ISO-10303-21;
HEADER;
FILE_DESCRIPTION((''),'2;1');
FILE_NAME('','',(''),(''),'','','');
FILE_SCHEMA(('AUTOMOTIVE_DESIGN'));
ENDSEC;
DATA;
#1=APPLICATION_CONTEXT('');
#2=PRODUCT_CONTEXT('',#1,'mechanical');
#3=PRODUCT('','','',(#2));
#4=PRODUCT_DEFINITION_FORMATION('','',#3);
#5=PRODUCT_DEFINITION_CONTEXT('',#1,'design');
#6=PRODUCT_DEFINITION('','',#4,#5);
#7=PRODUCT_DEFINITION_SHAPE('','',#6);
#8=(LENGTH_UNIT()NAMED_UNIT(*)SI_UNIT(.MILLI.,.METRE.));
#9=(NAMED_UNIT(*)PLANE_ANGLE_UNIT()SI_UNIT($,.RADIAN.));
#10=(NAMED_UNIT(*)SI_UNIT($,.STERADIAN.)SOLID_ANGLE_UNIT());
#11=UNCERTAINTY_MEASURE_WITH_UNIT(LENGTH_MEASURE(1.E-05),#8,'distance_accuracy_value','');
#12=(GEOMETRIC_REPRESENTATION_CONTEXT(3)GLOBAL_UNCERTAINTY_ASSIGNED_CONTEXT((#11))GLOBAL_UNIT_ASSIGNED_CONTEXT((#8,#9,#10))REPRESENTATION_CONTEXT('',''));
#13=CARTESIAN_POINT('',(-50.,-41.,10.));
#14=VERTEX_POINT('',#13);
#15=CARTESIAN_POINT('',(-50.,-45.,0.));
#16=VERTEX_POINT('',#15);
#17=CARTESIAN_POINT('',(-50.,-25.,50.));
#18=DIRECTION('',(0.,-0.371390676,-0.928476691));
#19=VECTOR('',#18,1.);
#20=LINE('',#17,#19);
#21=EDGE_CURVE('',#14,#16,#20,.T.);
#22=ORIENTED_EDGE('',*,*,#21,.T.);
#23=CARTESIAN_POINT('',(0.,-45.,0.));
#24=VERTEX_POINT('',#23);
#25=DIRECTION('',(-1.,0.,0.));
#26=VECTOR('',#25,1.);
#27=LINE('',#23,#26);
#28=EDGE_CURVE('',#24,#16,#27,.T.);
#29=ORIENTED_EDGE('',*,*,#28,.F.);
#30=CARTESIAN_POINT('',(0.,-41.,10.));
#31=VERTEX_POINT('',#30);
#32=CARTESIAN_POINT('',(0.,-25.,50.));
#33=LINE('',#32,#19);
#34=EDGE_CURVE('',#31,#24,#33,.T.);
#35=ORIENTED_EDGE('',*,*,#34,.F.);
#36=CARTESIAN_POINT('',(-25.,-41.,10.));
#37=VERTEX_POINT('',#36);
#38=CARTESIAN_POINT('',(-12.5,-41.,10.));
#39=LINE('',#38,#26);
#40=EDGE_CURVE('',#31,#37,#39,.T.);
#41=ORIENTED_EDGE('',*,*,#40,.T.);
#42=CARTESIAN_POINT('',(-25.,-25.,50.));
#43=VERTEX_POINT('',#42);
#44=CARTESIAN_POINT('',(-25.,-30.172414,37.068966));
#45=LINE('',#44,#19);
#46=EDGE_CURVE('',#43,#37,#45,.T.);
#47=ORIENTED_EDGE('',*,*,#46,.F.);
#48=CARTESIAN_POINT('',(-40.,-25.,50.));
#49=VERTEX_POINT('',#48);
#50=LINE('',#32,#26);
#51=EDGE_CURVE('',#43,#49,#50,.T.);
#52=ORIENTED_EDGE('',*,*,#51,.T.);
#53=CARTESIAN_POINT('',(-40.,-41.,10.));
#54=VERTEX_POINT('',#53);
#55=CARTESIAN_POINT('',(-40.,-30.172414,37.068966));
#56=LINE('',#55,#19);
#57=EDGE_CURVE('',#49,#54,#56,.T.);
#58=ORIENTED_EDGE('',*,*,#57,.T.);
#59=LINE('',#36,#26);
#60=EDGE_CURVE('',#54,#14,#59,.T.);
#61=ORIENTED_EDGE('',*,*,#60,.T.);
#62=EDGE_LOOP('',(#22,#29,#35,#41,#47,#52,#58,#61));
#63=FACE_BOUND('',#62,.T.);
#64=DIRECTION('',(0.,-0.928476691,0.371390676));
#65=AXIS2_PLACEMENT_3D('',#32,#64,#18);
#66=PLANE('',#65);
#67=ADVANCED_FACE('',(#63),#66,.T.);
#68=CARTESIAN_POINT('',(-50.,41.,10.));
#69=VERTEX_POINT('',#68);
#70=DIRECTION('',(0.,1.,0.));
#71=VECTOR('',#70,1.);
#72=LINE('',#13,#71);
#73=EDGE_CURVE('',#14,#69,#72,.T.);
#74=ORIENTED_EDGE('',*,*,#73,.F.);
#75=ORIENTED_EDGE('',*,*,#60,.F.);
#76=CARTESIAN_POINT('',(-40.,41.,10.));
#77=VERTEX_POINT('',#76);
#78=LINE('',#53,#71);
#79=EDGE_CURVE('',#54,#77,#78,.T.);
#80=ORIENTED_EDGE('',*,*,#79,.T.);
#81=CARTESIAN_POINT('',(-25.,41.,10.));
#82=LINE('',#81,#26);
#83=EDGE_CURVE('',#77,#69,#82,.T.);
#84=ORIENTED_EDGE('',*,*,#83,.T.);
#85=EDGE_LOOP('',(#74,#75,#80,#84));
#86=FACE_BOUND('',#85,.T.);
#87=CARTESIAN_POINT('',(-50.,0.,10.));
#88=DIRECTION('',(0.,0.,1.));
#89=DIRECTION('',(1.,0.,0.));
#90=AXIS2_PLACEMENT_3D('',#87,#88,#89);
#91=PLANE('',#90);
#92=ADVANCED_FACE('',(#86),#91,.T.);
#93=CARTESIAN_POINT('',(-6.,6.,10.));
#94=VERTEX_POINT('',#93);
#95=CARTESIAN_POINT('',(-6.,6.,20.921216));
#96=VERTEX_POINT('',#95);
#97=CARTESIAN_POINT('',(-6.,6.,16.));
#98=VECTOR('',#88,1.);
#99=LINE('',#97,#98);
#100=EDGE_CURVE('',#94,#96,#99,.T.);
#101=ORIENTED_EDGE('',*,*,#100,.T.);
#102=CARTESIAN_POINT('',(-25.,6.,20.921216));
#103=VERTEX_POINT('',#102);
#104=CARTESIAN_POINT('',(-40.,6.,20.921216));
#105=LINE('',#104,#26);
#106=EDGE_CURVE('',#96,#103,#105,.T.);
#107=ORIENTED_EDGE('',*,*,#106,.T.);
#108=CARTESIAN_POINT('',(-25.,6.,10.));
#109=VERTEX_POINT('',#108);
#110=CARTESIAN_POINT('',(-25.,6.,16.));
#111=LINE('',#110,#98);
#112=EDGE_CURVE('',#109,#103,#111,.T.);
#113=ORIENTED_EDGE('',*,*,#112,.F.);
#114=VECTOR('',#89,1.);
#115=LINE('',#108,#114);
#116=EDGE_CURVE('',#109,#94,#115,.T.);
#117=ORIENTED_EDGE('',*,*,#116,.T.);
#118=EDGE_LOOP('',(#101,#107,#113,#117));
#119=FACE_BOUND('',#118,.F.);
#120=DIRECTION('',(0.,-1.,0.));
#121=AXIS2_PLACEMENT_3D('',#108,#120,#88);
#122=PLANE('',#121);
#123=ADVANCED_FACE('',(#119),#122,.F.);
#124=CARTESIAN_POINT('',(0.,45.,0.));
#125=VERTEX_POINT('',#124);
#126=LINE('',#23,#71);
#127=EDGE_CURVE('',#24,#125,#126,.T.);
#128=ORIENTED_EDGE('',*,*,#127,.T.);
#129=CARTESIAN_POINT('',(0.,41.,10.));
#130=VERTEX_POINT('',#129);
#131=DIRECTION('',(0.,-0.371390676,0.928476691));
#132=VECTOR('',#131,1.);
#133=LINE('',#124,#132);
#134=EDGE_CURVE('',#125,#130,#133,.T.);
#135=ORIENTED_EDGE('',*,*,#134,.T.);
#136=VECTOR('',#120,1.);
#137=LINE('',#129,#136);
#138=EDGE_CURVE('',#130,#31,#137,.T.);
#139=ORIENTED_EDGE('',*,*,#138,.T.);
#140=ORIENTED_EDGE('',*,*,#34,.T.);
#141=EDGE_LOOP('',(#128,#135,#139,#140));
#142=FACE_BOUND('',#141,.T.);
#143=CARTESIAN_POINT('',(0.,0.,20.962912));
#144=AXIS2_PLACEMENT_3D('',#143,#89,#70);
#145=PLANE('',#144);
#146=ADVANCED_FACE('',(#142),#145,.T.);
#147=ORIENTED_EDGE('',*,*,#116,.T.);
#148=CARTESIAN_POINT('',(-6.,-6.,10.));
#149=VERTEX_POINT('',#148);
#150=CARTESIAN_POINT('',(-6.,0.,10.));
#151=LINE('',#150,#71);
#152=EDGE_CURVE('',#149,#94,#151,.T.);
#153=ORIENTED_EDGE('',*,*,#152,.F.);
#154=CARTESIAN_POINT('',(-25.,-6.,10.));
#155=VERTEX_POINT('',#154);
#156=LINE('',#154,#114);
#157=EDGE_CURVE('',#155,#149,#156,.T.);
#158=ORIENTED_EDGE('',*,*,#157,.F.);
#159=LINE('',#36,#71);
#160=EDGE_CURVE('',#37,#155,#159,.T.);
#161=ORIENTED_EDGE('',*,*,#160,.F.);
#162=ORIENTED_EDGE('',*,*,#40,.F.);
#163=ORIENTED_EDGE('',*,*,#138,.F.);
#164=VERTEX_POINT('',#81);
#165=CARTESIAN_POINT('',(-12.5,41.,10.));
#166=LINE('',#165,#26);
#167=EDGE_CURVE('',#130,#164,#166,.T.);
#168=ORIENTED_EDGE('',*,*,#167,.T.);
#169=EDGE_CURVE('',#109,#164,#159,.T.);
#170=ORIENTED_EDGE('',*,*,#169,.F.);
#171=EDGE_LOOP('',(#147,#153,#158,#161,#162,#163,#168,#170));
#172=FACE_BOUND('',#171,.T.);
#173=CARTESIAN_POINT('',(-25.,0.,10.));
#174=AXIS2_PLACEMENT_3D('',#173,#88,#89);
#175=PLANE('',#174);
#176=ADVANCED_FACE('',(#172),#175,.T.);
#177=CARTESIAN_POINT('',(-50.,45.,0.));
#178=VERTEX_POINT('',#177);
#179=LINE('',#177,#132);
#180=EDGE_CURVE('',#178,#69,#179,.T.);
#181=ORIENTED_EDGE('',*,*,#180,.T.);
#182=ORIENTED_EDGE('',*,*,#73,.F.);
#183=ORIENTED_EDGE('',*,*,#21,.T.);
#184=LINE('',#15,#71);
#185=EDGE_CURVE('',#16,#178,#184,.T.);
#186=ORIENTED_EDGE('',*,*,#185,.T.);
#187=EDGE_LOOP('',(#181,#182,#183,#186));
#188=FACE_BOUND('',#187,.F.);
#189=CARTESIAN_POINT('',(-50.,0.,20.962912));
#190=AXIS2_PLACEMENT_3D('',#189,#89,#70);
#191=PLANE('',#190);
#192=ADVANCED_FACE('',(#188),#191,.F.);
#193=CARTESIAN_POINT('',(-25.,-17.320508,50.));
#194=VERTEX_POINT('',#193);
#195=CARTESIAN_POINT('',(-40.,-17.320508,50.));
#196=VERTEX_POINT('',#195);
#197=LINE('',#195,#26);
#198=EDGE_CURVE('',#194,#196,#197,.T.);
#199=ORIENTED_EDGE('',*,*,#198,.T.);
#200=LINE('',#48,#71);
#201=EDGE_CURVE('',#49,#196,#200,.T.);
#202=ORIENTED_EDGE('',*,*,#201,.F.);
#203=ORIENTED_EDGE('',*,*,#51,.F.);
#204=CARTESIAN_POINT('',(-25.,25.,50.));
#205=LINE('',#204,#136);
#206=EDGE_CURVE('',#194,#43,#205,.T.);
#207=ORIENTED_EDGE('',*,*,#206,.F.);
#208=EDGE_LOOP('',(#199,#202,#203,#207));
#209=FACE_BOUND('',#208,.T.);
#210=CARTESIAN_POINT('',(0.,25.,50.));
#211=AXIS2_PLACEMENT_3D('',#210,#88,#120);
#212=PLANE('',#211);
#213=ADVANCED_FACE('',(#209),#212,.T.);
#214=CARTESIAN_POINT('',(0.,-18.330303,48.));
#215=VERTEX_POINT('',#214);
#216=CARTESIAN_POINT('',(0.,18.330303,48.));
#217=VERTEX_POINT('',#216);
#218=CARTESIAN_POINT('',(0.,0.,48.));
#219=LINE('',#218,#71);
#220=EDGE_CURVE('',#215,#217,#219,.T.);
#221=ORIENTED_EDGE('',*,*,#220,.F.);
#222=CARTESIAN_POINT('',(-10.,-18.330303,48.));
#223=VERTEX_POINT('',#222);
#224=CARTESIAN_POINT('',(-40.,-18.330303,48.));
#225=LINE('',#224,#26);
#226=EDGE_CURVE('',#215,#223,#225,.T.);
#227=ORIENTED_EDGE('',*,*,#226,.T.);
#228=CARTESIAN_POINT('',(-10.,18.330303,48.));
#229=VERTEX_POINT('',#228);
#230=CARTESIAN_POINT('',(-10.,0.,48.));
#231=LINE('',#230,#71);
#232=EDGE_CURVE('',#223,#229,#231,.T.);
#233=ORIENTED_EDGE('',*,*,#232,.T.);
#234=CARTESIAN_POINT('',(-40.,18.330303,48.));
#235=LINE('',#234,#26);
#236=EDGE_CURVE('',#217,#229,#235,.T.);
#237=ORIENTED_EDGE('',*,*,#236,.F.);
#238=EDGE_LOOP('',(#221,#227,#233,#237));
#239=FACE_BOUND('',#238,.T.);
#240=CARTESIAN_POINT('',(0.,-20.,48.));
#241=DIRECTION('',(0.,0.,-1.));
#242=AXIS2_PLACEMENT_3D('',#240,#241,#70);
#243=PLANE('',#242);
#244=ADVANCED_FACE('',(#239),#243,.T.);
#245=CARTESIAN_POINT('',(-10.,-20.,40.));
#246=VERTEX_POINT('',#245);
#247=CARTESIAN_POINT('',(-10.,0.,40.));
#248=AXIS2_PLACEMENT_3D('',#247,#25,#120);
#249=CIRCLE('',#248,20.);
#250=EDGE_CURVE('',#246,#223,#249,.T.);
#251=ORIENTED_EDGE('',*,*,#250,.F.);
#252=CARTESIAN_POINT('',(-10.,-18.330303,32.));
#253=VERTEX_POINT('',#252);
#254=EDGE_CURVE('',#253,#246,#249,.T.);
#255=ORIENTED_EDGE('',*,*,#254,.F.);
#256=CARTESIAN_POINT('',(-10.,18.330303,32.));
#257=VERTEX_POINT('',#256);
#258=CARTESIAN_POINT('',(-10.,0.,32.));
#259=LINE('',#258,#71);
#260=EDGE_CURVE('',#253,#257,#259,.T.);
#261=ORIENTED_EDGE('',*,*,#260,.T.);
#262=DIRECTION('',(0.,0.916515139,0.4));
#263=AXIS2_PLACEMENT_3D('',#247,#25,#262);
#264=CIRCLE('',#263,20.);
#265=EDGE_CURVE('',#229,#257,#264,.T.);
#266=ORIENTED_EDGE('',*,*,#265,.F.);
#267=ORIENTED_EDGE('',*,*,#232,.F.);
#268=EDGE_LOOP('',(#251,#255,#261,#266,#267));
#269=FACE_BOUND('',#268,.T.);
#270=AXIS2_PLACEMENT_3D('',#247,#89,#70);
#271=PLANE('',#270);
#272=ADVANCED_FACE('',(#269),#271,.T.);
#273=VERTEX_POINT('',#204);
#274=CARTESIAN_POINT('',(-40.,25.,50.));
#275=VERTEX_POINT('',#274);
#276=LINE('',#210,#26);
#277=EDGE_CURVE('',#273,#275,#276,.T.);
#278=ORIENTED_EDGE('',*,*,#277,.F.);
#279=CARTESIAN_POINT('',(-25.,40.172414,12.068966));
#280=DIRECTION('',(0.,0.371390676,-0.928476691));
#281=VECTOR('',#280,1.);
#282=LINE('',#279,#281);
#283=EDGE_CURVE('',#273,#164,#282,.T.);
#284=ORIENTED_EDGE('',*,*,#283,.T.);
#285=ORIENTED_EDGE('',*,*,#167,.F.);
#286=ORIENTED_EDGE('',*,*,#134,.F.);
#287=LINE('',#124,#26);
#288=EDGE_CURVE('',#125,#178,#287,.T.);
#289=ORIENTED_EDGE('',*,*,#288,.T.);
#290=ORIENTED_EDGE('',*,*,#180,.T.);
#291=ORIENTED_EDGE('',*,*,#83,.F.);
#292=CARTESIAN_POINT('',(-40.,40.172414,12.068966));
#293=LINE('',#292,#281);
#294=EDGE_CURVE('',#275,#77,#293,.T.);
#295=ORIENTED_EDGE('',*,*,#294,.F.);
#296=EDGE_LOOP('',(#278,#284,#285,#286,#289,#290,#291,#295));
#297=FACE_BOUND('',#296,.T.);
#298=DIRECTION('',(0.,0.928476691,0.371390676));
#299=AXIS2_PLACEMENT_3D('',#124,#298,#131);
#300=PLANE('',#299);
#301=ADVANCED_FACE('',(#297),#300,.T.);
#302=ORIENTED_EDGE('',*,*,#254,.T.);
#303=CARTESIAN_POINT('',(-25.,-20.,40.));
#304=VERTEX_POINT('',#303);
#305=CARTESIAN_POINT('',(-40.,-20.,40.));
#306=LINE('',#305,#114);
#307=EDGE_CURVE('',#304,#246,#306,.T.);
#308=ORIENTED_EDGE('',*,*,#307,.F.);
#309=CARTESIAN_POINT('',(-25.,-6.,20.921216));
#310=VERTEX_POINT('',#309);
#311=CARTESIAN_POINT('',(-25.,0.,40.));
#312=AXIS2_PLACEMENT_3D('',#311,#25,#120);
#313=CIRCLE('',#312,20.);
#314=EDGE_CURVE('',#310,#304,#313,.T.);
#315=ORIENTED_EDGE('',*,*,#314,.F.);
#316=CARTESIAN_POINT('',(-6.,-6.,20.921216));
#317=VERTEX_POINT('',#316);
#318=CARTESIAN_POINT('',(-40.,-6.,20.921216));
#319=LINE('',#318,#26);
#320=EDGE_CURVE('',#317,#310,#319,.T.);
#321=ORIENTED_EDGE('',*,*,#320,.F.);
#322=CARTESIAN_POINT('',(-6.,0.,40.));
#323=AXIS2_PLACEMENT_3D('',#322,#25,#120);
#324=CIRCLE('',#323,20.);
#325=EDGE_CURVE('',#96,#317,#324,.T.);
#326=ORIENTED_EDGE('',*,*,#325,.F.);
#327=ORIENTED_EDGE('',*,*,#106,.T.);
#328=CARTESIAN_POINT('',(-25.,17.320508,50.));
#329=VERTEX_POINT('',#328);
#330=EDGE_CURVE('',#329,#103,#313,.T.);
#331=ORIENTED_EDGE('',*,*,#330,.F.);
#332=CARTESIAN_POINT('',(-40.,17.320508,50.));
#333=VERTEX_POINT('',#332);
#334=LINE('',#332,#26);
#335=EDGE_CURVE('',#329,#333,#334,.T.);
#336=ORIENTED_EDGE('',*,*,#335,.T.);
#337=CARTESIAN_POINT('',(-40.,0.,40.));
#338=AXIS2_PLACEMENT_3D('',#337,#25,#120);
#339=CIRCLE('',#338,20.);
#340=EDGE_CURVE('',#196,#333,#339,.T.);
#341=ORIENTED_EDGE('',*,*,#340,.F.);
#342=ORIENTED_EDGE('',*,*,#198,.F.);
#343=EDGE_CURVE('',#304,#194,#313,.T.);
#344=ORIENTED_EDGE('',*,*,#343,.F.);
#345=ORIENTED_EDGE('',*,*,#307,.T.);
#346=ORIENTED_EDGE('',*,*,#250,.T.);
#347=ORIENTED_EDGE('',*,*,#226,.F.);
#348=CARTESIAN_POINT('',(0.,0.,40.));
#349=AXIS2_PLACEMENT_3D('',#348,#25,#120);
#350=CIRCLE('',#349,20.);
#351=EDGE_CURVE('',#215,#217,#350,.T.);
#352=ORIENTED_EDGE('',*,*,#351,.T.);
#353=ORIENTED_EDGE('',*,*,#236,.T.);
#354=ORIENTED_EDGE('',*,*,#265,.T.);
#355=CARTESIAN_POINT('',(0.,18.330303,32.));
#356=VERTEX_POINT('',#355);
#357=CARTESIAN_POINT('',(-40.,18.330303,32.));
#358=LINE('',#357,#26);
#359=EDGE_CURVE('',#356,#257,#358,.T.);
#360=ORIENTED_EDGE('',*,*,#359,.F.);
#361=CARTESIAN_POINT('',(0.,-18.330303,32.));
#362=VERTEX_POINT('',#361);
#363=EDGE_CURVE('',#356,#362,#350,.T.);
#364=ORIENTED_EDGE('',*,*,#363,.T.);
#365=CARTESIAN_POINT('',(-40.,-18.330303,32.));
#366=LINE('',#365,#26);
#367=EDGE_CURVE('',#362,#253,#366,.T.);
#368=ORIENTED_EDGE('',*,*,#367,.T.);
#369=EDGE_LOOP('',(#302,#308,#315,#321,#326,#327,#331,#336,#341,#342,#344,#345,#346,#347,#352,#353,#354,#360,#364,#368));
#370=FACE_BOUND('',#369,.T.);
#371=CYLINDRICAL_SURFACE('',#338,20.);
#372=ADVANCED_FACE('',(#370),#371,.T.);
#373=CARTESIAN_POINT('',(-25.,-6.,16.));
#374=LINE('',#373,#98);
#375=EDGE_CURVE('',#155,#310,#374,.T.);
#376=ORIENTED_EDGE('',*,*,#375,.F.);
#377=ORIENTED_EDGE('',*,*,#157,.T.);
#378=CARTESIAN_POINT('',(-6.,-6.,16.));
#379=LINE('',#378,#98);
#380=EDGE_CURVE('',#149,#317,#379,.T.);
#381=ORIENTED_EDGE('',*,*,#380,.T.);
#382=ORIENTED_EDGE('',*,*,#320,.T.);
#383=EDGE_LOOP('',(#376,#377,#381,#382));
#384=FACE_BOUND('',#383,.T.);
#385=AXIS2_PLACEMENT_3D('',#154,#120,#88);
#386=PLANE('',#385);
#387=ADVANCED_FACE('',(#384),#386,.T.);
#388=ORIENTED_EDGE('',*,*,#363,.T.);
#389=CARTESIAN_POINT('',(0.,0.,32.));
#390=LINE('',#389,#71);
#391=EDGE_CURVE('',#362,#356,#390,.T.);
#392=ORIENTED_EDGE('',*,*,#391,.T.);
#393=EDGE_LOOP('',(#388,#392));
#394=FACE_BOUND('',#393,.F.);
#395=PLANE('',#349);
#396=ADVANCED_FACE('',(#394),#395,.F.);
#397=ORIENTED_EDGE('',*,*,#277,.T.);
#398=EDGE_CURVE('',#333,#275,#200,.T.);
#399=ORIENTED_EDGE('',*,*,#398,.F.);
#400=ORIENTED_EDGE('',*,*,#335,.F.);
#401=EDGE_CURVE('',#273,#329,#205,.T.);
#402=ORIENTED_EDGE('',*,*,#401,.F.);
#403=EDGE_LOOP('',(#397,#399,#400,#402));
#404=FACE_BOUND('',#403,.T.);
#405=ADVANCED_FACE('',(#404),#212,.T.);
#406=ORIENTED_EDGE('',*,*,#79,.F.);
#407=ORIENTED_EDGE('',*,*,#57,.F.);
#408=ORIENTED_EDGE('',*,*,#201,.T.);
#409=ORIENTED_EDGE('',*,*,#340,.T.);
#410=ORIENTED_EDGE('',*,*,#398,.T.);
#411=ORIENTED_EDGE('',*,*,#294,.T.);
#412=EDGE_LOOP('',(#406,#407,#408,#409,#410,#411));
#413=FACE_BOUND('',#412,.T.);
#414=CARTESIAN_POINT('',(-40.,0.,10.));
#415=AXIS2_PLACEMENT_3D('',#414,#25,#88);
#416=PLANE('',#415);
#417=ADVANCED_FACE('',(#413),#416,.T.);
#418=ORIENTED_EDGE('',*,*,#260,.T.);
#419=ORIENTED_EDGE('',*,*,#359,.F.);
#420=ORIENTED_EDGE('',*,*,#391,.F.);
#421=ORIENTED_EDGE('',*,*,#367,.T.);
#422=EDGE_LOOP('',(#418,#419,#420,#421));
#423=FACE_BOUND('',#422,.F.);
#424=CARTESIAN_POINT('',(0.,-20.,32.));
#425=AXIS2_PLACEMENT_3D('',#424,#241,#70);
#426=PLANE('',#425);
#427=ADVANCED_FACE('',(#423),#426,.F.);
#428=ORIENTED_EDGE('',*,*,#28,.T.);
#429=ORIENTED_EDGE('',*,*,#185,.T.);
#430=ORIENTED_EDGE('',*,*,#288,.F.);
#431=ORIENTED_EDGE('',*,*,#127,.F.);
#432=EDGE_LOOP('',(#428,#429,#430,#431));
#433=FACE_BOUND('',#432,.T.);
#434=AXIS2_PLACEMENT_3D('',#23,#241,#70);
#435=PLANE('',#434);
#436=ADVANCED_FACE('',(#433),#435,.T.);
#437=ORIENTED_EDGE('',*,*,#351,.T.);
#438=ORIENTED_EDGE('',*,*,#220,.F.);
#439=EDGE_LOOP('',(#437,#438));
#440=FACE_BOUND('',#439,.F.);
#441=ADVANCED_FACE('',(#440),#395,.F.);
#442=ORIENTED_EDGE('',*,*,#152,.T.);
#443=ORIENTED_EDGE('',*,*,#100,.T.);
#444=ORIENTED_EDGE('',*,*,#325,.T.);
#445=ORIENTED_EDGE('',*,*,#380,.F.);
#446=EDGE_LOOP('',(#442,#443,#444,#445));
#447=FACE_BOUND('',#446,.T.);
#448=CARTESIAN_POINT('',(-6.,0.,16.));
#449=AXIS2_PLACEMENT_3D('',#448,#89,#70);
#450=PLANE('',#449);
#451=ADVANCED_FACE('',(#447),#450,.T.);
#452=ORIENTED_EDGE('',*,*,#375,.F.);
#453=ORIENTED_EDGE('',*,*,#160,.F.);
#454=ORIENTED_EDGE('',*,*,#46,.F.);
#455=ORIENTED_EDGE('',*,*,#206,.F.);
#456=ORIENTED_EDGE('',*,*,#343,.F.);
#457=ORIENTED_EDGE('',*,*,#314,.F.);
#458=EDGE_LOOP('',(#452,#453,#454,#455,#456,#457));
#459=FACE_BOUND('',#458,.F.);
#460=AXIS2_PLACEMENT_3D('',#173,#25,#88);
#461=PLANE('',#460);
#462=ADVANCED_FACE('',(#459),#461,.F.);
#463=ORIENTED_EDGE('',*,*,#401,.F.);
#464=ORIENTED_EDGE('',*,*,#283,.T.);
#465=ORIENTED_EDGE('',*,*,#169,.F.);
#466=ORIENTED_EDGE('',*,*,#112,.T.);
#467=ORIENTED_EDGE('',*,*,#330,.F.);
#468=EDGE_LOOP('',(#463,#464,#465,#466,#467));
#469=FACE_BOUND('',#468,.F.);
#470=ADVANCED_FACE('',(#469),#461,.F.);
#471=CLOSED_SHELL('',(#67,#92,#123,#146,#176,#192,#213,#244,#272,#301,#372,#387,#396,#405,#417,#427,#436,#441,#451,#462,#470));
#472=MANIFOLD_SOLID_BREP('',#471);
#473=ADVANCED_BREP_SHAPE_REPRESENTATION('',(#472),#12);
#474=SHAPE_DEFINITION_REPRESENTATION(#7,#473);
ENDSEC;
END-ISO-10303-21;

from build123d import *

# Parameters (mm, degrees)
F1_DEPTH      = 50
F2_W          = 25
F2_H          = 40
F2_W_2        = 10
F3_DEPTH      = 45.001
F3_DEPTH_BACK = 45.001
F4_R          = 20
F5_DEPTH      = 40
F6_W          = 12
F6_H          = 12
F7_DEPTH      = 19
F8_W          = 40
F8_H          = 16
F9_DEPTH      = 10


with BuildPart() as f1:
    # F0 (on Right) → F1 (new body)
    with BuildSketch(Plane.YZ):
        Polygon((-45, 0), (0, 0), (45, 0), (25, 50), (0, 50), (-25, 50), align=None)
    extrude(amount=-F1_DEPTH)

    # F2 (on Front) → F3 (cut, two sides)
    with BuildSketch(Plane.XZ) as f3_sk:
        with Locations((-12.5, 30)):
            Rectangle(F2_W, F2_H)
        with Locations((-45, 30)):
            Rectangle(F2_W_2, F2_H)
    extrude(amount=-F3_DEPTH, mode=Mode.SUBTRACT)
    extrude(f3_sk.sketch, amount=F3_DEPTH_BACK, mode=Mode.SUBTRACT)

    # F4 (on face) → F5 (join)
    with BuildSketch(Plane(origin=(-40, 0, 0), x_dir=(0, -1, 0), z_dir=(-1, 0, 0))):
        with Locations((0, 40)):
            Circle(F4_R)
    extrude(amount=-F5_DEPTH)

    # F6 (on face) → F7 (join)
    with BuildSketch(Plane.YZ.offset(-25)):
        with Locations((0, 16)):
            Rectangle(F6_W, F6_H)
    extrude(amount=F7_DEPTH)

    # F8 (on face) → F9 (cut)
    with BuildSketch(Plane.YZ):
        with Locations((0, 40)):
            Rectangle(F8_W, F8_H)
    extrude(amount=-F9_DEPTH, mode=Mode.SUBTRACT)


solid = f1.part
